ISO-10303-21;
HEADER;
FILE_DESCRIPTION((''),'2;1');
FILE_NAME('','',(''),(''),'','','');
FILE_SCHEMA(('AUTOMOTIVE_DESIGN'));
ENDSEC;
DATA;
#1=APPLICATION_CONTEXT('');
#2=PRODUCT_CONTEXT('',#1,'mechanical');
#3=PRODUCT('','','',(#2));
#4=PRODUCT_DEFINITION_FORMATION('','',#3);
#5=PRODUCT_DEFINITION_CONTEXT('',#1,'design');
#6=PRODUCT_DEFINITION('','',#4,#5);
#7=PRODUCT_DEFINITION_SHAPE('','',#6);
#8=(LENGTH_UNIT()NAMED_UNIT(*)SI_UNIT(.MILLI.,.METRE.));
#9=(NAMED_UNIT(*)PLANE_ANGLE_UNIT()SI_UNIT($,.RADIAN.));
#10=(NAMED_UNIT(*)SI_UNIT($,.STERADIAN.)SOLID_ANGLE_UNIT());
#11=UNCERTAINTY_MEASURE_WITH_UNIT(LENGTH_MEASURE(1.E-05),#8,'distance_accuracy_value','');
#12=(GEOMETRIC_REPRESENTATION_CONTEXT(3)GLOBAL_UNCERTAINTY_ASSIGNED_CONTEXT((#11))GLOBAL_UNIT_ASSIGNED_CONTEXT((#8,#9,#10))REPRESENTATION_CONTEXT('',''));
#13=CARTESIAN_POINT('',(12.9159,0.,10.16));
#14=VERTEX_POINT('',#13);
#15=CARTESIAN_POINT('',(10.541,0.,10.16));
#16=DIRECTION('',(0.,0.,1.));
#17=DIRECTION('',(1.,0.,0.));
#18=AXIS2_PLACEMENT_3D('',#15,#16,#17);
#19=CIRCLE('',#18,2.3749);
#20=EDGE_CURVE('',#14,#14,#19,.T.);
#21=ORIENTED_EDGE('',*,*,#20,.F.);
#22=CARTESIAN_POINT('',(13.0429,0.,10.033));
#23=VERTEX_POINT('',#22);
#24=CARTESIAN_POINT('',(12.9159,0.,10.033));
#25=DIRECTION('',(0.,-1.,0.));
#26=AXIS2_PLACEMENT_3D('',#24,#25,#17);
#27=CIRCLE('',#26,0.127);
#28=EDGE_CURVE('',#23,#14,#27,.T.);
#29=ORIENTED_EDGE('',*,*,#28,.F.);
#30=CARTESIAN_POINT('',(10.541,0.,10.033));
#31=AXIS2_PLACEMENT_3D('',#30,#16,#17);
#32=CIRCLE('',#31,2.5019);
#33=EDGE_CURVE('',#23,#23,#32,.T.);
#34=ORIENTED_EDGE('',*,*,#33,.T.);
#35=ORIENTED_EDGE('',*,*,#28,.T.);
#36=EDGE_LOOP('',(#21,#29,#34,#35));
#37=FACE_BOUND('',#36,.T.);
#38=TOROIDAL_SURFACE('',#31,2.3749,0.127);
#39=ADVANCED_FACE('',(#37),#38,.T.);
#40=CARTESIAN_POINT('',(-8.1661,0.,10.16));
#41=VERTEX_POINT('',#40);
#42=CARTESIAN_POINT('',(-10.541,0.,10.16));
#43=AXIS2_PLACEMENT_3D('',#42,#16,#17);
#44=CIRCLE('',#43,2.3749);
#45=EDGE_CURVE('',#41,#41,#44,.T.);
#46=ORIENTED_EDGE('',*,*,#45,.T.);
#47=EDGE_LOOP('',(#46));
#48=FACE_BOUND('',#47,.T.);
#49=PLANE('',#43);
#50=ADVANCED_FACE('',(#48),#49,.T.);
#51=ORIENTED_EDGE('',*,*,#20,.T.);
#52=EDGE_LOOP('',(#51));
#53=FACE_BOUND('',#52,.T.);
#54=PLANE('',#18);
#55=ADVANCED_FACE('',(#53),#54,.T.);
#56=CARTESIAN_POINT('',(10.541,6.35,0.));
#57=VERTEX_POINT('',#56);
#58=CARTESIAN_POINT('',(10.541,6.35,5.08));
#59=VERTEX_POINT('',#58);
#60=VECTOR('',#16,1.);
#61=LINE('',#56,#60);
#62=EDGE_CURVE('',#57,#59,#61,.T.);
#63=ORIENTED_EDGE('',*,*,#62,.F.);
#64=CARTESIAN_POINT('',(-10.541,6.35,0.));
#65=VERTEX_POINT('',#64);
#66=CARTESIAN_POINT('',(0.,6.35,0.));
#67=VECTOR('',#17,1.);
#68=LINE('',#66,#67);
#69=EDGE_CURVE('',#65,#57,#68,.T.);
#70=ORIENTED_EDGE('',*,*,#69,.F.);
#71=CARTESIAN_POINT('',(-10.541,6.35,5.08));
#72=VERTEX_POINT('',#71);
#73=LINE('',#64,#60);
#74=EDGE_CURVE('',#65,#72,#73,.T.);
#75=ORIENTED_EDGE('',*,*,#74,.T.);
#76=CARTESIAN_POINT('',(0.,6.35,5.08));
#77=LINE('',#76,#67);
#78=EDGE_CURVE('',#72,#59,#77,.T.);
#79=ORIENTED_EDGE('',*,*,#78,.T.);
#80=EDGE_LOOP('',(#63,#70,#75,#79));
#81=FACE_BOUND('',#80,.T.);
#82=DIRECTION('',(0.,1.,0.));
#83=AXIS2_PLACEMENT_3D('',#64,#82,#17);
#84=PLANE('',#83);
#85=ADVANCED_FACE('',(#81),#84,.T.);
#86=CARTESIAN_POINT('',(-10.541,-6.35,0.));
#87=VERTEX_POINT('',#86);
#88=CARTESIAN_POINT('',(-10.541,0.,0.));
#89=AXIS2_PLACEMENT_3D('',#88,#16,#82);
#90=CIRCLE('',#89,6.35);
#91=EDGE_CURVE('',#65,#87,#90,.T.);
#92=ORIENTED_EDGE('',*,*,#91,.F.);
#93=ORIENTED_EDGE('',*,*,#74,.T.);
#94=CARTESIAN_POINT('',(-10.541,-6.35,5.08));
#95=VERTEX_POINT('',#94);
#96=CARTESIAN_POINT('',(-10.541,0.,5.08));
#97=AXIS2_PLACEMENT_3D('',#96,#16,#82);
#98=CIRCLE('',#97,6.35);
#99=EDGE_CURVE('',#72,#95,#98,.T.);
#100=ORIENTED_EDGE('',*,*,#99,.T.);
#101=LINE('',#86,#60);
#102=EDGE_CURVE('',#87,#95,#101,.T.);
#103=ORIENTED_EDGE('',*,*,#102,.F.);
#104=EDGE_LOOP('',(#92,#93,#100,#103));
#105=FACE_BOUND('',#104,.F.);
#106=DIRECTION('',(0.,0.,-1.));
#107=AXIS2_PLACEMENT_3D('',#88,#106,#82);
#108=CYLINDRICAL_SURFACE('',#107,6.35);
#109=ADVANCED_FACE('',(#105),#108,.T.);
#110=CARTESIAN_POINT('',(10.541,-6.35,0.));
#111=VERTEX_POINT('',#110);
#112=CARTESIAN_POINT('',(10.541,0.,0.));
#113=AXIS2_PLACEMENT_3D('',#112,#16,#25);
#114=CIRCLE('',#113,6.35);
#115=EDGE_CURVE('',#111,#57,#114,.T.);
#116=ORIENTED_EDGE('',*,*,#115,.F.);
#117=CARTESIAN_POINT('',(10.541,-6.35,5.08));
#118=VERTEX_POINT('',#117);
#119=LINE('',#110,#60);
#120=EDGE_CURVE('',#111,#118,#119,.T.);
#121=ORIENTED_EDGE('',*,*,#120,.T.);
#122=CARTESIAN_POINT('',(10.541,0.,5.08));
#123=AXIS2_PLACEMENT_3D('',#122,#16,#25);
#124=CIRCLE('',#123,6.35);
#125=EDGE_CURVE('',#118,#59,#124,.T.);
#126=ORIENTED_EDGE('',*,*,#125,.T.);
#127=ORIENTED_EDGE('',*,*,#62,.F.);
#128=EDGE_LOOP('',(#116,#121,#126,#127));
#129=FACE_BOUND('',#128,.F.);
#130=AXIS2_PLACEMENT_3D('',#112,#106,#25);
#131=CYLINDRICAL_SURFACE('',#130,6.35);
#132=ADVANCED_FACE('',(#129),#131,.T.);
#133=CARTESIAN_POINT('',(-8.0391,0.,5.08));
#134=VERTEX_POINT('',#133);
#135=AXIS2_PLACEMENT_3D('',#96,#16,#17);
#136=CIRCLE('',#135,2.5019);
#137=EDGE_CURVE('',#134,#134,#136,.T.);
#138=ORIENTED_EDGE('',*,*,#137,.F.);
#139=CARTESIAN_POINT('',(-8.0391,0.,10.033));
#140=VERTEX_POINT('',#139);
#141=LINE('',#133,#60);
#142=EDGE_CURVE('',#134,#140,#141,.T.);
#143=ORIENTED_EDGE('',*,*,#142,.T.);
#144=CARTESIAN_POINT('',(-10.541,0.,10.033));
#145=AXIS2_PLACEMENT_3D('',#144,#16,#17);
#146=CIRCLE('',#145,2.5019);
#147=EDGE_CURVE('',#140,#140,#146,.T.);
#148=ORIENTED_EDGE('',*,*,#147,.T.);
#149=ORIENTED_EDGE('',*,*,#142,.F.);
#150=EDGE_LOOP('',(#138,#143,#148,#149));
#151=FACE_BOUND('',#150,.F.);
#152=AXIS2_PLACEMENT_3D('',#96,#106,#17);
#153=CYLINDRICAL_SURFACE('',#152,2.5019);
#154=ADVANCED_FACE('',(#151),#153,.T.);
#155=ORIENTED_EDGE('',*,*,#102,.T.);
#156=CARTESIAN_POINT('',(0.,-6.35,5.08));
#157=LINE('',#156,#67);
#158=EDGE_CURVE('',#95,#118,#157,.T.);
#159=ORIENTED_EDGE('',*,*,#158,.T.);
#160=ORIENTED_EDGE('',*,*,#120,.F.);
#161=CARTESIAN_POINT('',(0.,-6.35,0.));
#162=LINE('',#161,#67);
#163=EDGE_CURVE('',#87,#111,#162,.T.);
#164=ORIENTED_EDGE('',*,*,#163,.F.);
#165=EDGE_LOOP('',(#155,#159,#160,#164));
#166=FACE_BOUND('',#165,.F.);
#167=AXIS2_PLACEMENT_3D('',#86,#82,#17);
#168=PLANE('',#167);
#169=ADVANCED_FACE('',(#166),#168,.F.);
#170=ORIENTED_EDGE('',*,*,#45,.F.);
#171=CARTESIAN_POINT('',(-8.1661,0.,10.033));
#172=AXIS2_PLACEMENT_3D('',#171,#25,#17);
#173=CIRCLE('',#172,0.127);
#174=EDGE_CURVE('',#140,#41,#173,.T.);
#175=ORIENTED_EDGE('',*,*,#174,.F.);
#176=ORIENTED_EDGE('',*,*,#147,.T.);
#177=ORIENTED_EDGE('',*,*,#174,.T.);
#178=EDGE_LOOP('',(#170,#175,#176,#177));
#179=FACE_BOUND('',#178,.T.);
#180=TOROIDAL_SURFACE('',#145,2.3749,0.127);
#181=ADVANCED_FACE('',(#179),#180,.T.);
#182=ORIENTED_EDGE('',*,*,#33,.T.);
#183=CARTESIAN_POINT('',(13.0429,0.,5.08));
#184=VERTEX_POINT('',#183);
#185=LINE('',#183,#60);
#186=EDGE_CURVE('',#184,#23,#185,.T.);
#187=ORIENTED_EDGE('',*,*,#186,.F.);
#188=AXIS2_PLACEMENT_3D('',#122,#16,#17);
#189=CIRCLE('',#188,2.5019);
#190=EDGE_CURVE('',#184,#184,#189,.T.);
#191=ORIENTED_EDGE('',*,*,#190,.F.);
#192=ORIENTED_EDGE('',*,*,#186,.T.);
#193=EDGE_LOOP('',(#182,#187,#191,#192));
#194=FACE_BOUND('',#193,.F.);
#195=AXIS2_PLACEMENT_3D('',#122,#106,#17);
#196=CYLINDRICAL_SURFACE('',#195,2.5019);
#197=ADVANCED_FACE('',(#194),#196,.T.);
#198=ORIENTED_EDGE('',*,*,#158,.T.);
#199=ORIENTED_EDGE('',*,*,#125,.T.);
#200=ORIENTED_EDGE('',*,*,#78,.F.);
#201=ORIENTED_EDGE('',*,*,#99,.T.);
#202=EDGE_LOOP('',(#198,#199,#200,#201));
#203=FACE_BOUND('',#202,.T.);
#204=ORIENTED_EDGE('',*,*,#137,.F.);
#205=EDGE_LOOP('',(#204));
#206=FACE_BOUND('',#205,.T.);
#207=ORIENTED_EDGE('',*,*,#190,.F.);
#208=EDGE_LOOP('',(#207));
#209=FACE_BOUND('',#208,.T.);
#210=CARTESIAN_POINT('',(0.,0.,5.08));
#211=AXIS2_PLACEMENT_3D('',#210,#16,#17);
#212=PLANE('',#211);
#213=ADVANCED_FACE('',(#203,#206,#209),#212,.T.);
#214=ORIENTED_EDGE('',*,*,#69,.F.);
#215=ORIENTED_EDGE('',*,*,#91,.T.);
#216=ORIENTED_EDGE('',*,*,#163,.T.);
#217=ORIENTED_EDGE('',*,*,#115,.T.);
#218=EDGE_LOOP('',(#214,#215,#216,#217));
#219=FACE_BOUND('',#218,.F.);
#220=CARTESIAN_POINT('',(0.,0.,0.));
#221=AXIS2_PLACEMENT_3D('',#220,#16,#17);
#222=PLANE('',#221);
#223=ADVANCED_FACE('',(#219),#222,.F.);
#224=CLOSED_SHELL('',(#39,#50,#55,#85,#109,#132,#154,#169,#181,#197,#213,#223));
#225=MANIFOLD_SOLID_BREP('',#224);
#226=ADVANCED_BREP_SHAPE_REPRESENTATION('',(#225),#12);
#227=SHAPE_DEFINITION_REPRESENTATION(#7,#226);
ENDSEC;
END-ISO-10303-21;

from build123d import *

# Parameters (mm, degrees)
F0_W     = 21.082
F0_H     = 12.7
F1_DEPTH = 5.08
F2_R     = 2.5019
F3_DEPTH = 5.08
F4_R     = 0.127


with BuildPart() as f1:
    # F0 (on Top) → F1 (new body)
    with BuildSketch(Plane.XY):
        Rectangle(F0_W, F0_H)
        with BuildLine():
            Line((-10.541, -6.35), (-10.541, 6.35))
            ThreePointArc((-10.541, 6.35), (-16.891, 0), (-10.541, -6.35))
        make_face()
        with BuildLine():
            ThreePointArc((10.541, -6.35), (16.891, 0), (10.541, 6.35))
            Line((10.541, 6.35), (10.541, -6.35))
        make_face()
    extrude(amount=F1_DEPTH)

    # F2 (on face) → F3 (join)
    with BuildSketch(Plane.XY.offset(5.08)):
        with Locations((-10.541, 0)):
            Circle(F2_R)
        with Locations((10.541, 0)):
            Circle(F2_R)
    extrude(amount=F3_DEPTH)

    # F4
    f4_edges = [f1.edges().sort_by_distance(p)[0] for p in [
        (-13.0429, 0, 10.16),
        (8.0391, 0, 10.16),
    ]]
    fillet(f4_edges, radius=F4_R)


solid = f1.part
